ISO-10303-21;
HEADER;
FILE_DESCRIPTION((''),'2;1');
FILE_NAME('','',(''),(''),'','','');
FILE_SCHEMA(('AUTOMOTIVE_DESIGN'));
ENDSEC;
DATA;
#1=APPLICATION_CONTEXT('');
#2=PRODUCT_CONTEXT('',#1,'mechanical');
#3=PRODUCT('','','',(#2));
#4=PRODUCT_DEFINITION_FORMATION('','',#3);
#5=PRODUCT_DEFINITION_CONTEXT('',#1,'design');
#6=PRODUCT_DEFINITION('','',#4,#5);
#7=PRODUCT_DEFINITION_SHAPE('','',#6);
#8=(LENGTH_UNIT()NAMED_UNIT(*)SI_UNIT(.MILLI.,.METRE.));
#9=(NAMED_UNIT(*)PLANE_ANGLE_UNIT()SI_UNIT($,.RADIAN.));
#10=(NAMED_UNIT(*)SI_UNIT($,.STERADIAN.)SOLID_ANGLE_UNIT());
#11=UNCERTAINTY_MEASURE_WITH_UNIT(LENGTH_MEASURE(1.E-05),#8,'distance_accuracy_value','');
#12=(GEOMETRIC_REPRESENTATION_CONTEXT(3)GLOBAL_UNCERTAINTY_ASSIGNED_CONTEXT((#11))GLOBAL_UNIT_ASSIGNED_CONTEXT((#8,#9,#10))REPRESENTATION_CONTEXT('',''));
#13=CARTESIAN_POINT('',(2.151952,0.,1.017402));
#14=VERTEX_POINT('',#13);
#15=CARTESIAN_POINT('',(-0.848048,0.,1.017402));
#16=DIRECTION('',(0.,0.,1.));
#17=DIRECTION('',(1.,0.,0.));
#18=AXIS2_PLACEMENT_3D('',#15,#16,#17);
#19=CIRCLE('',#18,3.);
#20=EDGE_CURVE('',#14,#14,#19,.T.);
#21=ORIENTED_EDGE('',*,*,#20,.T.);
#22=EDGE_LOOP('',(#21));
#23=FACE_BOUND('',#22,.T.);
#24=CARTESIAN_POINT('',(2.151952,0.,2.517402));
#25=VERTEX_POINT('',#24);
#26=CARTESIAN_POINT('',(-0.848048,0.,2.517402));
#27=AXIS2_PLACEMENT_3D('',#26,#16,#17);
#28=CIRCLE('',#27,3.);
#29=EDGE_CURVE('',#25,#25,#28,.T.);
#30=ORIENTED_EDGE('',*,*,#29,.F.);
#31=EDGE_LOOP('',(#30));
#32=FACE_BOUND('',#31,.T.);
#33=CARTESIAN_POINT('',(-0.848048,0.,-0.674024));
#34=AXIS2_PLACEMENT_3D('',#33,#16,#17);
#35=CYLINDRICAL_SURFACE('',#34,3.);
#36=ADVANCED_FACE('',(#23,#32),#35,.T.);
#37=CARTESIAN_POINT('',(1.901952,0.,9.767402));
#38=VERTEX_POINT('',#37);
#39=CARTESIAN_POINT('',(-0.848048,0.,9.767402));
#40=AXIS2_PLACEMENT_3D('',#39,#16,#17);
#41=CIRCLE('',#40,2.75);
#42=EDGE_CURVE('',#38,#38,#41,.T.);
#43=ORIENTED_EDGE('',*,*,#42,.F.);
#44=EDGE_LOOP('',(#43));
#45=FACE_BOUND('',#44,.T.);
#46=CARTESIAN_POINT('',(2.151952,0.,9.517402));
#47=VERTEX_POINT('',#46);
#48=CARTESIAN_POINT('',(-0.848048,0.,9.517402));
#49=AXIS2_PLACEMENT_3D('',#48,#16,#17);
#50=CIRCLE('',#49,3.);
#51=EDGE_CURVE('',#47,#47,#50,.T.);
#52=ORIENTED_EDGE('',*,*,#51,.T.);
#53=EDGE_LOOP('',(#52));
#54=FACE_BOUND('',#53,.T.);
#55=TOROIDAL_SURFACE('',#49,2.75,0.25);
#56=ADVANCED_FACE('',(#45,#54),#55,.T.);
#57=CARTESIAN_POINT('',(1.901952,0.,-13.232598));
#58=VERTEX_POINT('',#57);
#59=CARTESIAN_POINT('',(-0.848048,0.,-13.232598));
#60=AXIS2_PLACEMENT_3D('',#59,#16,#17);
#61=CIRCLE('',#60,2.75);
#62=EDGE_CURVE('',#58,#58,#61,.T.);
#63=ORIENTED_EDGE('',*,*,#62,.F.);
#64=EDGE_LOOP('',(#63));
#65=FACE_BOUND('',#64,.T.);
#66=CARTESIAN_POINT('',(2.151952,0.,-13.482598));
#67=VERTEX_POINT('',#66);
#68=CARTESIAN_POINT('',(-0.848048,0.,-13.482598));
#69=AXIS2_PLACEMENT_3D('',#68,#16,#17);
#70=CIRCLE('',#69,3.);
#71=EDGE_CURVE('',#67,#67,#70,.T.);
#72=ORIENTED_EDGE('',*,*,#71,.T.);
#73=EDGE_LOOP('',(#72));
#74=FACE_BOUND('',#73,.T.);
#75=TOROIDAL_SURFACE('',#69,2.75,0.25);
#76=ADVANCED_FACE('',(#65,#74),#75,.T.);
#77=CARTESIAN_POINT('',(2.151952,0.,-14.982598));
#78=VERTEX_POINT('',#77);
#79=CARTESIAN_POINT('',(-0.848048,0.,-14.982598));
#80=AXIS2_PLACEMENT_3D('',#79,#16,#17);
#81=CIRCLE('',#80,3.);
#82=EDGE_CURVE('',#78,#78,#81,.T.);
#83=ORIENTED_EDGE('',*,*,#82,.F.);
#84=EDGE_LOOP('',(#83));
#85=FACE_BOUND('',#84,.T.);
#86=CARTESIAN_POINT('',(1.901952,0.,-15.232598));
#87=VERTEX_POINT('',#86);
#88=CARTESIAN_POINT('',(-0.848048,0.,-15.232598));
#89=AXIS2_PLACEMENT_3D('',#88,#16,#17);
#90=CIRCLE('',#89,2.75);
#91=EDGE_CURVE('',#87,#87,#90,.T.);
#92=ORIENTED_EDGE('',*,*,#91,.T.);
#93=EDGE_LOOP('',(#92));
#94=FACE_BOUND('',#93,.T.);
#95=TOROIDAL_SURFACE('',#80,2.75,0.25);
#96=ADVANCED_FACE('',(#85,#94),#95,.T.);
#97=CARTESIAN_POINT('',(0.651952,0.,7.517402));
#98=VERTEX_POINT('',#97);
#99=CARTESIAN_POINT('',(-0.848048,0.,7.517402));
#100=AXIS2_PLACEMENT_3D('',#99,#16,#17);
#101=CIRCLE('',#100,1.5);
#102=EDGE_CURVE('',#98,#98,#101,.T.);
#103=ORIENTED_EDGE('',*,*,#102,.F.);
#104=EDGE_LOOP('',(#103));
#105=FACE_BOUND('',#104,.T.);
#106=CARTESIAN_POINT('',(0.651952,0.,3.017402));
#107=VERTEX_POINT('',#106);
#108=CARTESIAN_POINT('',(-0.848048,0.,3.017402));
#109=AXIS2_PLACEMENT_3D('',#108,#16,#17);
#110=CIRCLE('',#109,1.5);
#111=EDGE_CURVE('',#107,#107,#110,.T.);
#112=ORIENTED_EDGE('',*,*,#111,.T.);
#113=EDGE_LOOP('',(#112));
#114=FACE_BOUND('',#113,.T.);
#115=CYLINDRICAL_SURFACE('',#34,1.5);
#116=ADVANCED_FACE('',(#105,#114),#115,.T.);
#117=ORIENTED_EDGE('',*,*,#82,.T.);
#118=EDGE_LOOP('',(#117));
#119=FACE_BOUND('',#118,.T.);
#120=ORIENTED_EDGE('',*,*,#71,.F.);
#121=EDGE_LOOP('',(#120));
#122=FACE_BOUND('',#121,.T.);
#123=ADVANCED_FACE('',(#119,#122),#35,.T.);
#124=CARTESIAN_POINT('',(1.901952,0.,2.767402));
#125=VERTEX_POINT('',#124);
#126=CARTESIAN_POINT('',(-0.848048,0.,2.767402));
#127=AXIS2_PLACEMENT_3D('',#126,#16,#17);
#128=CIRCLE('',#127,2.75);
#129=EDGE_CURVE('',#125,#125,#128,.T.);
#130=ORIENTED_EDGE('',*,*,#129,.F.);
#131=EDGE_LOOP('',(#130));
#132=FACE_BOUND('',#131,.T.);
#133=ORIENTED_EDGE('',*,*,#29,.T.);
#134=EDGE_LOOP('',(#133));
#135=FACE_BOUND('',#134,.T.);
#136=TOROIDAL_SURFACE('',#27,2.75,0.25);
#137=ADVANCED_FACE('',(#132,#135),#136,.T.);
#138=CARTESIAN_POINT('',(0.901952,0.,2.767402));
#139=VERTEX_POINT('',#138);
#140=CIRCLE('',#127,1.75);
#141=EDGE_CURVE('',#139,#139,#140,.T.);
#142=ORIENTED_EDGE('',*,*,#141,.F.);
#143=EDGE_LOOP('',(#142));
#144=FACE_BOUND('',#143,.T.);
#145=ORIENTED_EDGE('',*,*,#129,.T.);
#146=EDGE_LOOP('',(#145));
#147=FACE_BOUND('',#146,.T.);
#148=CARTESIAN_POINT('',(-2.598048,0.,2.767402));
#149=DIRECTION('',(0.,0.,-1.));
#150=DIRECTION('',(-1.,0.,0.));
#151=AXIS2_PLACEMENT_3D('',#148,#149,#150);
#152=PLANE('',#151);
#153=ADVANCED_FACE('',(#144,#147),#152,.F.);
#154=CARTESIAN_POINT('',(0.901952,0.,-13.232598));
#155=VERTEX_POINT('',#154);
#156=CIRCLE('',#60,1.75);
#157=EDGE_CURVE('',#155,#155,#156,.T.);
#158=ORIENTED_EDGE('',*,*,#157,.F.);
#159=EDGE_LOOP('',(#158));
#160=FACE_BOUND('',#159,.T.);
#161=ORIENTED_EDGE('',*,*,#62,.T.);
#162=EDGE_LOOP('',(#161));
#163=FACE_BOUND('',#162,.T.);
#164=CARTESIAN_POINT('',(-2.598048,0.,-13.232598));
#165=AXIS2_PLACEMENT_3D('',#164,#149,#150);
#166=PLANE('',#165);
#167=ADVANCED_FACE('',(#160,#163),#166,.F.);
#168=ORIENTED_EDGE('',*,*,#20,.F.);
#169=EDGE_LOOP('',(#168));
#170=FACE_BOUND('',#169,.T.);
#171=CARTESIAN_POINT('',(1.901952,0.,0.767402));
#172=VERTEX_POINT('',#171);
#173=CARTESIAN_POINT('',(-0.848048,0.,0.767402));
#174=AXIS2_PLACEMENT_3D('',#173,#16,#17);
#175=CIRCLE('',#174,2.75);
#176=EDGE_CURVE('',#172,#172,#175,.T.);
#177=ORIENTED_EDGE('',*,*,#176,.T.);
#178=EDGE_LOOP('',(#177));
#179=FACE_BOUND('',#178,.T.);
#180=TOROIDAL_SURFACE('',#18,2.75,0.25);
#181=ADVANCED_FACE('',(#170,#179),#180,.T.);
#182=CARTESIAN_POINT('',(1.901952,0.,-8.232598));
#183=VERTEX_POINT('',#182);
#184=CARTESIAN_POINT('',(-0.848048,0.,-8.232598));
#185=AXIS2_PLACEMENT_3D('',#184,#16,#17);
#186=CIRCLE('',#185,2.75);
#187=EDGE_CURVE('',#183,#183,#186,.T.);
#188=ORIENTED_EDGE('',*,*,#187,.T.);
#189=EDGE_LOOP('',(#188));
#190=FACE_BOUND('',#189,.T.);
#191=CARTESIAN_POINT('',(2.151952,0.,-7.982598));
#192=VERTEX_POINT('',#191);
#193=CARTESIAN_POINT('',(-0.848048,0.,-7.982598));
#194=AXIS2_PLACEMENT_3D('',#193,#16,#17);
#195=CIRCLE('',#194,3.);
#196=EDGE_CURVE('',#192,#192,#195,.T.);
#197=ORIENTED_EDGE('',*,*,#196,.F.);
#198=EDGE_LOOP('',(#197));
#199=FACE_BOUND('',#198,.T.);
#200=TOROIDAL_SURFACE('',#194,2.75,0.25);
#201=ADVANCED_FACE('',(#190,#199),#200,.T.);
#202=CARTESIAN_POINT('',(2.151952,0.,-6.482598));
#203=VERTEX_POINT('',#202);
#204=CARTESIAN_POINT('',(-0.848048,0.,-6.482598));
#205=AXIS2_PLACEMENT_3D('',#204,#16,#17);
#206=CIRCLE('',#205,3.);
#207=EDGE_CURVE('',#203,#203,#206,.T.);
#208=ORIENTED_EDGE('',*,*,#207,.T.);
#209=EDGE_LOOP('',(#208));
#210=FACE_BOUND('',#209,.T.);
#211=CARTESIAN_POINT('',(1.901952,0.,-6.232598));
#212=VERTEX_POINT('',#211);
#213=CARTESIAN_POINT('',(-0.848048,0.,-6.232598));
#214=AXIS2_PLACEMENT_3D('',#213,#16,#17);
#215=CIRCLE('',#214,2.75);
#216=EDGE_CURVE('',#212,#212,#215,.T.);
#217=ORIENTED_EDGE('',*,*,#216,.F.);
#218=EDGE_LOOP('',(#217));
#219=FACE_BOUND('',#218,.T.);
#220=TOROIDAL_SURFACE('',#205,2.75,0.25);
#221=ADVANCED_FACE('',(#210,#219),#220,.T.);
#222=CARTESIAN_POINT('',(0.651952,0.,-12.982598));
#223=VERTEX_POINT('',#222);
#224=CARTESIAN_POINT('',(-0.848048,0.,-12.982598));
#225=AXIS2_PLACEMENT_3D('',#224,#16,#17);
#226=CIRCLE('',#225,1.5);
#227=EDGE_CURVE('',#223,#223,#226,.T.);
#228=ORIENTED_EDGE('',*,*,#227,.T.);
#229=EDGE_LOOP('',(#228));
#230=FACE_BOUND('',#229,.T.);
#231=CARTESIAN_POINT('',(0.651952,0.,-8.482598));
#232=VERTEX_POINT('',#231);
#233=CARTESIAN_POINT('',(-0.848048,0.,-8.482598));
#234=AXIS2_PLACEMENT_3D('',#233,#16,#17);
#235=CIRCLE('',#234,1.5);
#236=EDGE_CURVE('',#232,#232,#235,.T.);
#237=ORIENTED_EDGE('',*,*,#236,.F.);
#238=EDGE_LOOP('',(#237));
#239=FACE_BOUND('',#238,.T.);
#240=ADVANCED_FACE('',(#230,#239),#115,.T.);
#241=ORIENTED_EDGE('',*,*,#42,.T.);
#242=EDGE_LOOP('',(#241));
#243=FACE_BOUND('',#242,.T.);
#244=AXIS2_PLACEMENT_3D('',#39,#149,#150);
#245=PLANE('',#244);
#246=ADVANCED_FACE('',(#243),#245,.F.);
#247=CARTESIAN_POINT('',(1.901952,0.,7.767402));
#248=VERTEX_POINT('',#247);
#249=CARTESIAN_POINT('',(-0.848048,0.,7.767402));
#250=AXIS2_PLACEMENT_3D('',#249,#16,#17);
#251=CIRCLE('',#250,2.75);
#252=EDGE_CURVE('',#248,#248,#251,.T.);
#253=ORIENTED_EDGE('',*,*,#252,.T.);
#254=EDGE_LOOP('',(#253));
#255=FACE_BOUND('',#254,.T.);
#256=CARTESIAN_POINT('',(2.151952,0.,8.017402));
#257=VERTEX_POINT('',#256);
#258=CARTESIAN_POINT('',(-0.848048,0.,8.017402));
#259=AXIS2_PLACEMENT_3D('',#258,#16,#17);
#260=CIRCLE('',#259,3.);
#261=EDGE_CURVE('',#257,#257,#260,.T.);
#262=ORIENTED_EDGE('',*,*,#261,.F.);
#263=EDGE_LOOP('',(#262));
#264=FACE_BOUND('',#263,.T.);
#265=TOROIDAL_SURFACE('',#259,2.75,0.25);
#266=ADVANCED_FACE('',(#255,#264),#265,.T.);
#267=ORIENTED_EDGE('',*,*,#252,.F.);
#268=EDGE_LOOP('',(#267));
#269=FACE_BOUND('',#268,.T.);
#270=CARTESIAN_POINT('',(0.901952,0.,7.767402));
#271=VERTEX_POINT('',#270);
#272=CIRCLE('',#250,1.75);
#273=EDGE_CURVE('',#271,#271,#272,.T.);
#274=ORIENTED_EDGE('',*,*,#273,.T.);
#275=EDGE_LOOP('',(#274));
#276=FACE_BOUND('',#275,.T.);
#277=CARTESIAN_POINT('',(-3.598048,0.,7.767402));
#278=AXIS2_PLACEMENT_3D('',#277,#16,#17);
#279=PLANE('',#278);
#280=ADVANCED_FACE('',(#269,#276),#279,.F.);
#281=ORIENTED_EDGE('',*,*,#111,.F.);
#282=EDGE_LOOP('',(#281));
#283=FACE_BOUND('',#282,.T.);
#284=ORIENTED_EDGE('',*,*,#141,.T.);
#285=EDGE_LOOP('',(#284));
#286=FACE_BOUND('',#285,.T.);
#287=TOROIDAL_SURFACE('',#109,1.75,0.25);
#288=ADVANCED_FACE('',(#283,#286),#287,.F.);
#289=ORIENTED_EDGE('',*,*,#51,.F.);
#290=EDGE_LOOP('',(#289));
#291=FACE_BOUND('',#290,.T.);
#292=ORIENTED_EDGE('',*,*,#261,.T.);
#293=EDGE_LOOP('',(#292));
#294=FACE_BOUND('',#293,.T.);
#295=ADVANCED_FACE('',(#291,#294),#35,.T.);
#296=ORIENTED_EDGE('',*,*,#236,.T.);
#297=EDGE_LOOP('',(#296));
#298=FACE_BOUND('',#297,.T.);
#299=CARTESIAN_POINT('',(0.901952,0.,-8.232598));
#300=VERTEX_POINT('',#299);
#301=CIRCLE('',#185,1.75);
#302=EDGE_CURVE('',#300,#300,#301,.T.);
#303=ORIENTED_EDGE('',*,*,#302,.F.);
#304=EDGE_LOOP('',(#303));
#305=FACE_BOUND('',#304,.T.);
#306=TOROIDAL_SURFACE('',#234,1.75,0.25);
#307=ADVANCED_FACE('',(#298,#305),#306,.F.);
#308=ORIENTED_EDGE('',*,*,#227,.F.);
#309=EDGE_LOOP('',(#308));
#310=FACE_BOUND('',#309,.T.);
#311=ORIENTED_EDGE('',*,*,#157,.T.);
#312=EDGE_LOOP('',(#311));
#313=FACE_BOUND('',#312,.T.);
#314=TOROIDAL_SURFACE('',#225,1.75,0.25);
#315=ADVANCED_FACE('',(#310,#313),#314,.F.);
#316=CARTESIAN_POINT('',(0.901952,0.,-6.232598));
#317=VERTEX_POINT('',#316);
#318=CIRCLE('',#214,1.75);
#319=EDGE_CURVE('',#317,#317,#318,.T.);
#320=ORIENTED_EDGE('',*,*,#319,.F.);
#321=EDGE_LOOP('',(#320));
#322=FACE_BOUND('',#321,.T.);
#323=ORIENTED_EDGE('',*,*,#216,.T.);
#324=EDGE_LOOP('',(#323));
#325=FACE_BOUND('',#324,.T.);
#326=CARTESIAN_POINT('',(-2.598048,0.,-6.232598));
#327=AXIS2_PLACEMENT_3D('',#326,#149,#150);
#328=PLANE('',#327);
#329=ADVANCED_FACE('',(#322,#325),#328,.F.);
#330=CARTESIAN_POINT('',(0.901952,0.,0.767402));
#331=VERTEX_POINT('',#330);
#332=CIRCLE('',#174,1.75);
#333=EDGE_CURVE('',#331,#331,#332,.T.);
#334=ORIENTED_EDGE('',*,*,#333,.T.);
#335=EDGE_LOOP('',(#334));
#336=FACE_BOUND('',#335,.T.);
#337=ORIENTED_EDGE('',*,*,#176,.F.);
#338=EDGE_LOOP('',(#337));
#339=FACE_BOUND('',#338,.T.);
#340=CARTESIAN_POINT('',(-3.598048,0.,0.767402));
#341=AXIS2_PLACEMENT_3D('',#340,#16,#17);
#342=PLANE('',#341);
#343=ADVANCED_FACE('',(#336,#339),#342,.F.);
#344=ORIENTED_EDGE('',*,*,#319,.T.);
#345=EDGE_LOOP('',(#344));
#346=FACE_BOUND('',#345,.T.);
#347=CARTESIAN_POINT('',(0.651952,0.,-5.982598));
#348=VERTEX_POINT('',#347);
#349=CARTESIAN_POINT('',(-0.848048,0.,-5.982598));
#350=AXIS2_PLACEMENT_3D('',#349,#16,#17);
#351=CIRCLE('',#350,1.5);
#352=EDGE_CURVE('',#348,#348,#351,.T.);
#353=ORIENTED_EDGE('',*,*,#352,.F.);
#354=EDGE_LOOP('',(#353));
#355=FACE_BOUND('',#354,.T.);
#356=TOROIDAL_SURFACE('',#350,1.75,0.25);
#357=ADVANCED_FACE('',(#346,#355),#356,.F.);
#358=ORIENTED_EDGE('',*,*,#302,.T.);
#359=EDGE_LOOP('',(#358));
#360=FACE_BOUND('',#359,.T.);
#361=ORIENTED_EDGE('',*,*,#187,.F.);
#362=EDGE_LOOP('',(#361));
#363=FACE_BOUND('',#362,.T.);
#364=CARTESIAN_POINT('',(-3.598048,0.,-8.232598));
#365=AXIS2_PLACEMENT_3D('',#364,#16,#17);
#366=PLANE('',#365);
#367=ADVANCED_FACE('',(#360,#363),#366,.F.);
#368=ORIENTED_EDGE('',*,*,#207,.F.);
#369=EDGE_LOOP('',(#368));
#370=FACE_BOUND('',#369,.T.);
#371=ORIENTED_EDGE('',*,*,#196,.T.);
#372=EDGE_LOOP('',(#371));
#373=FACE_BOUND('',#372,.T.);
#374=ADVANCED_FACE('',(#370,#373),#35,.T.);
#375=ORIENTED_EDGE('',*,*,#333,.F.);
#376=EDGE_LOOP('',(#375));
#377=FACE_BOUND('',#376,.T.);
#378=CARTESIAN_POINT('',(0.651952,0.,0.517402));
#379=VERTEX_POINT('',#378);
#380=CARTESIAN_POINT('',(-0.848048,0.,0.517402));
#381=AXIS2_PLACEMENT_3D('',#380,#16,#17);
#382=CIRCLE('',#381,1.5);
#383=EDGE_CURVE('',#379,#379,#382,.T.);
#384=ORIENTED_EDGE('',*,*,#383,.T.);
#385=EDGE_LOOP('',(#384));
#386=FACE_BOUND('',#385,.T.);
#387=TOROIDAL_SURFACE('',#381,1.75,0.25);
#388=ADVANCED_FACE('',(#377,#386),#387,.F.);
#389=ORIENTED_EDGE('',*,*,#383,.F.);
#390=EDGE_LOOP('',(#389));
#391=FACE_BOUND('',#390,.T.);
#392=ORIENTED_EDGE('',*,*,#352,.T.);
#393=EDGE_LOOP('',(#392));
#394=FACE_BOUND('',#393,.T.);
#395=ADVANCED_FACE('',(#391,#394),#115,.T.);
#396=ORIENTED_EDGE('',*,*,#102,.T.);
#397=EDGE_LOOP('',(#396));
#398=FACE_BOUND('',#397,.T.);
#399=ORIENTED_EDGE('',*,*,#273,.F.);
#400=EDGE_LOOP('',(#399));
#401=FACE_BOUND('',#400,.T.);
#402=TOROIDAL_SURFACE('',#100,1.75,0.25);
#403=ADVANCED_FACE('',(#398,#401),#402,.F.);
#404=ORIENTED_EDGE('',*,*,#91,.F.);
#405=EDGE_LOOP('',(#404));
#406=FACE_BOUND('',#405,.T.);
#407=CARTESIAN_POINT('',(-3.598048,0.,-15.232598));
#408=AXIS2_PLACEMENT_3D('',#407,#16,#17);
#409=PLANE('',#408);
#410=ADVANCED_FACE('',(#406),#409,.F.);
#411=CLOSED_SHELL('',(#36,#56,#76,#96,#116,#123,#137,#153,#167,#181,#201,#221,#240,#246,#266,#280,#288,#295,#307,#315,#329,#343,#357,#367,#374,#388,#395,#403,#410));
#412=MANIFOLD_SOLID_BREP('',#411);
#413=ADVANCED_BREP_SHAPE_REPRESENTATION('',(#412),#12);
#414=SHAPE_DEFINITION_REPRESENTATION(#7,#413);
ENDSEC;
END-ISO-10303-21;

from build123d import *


with BuildPart() as part:
    # Sketch1 → Revolve1 (revolve)
    with BuildSketch(Plane(origin=(0, 0, 0), x_dir=(1, 0, 0), z_dir=(0, 1, 0)), mode=Mode.PRIVATE) as revolve1_sk:
        with BuildLine():
            Line((-0.848047538, -9.767402377), (-3.598047538, -9.767402377))
            ThreePointArc((-3.598047538, -9.767402377), (-3.774824233, -9.694179072), (-3.848047538, -9.517402377))
            Line((-3.848047538, -9.517402377), (-3.848047538, -8.017402377))
            ThreePointArc((-3.848047538, -8.017402377), (-3.774824233, -7.840625682), (-3.598047538, -7.767402377))
            Line((-3.598047538, -7.767402377), (-2.598047538, -7.767402377))
            ThreePointArc((-2.598047538, -7.767402377), (-2.421270843, -7.694179072), (-2.348047538, -7.517402377))
            Line((-2.348047538, -7.517402377), (-2.348047538, -3.017402377))
            ThreePointArc((-2.348047538, -3.017402377), (-2.421270843, -2.840625682), (-2.598047538, -2.767402377))
            Line((-2.598047538, -2.767402377), (-3.598047538, -2.767402377))
            ThreePointArc((-3.598047538, -2.767402377), (-3.774824233, -2.694179072), (-3.848047538, -2.517402377))
            Line((-3.848047538, -2.517402377), (-3.848047538, -1.017402377))
            ThreePointArc((-3.848047538, -1.017402377), (-3.774824233, -0.840625682), (-3.598047538, -0.767402377))
            Line((-3.598047538, -0.767402377), (-2.598047538, -0.767402377))
            ThreePointArc((-2.598047538, -0.767402377), (-2.421270843, -0.694179072), (-2.348047538, -0.517402377))
            Line((-2.348047538, -0.517402377), (-2.348047538, 5.982597623))
            ThreePointArc((-2.348047538, 5.982597623), (-2.421270843, 6.159374318), (-2.598047538, 6.232597623))
            Line((-2.598047538, 6.232597623), (-3.598047538, 6.232597623))
            ThreePointArc((-3.598047538, 6.232597623), (-3.774824233, 6.305820928), (-3.848047538, 6.482597623))
            Line((-3.848047538, 6.482597623), (-3.848047538, 7.982597623))
            ThreePointArc((-3.848047538, 7.982597623), (-3.774824233, 8.159374318), (-3.598047538, 8.232597623))
            Line((-3.598047538, 8.232597623), (-2.598047538, 8.232597623))
            ThreePointArc((-2.598047538, 8.232597623), (-2.421270843, 8.305820928), (-2.348047538, 8.482597623))
            Line((-2.348047538, 8.482597623), (-2.348047538, 12.982597623))
            ThreePointArc((-2.348047538, 12.982597623), (-2.421270843, 13.159374318), (-2.598047538, 13.232597623))
            Line((-2.598047538, 13.232597623), (-3.598047538, 13.232597623))
            ThreePointArc((-3.598047538, 13.232597623), (-3.774824233, 13.305820928), (-3.848047538, 13.482597623))
            Line((-3.848047538, 13.482597623), (-3.848047538, 14.982597623))
            ThreePointArc((-3.848047538, 14.982597623), (-3.774824233, 15.159374318), (-3.598047538, 15.232597623))
            Line((-3.598047538, 15.232597623), (-0.848047538, 15.232597623))
            Line((-0.848047538, 15.232597623), (-0.848047538, -9.767402377))
        make_face()
    revolve(revolve1_sk.sketch.rotate(Axis((-0.848047538, 0, -0.674023769), (0, 0, -1)), 180), axis=Axis((-0.848047538, 0, -0.674023769), (0, 0, -1)))


solid = part.part
